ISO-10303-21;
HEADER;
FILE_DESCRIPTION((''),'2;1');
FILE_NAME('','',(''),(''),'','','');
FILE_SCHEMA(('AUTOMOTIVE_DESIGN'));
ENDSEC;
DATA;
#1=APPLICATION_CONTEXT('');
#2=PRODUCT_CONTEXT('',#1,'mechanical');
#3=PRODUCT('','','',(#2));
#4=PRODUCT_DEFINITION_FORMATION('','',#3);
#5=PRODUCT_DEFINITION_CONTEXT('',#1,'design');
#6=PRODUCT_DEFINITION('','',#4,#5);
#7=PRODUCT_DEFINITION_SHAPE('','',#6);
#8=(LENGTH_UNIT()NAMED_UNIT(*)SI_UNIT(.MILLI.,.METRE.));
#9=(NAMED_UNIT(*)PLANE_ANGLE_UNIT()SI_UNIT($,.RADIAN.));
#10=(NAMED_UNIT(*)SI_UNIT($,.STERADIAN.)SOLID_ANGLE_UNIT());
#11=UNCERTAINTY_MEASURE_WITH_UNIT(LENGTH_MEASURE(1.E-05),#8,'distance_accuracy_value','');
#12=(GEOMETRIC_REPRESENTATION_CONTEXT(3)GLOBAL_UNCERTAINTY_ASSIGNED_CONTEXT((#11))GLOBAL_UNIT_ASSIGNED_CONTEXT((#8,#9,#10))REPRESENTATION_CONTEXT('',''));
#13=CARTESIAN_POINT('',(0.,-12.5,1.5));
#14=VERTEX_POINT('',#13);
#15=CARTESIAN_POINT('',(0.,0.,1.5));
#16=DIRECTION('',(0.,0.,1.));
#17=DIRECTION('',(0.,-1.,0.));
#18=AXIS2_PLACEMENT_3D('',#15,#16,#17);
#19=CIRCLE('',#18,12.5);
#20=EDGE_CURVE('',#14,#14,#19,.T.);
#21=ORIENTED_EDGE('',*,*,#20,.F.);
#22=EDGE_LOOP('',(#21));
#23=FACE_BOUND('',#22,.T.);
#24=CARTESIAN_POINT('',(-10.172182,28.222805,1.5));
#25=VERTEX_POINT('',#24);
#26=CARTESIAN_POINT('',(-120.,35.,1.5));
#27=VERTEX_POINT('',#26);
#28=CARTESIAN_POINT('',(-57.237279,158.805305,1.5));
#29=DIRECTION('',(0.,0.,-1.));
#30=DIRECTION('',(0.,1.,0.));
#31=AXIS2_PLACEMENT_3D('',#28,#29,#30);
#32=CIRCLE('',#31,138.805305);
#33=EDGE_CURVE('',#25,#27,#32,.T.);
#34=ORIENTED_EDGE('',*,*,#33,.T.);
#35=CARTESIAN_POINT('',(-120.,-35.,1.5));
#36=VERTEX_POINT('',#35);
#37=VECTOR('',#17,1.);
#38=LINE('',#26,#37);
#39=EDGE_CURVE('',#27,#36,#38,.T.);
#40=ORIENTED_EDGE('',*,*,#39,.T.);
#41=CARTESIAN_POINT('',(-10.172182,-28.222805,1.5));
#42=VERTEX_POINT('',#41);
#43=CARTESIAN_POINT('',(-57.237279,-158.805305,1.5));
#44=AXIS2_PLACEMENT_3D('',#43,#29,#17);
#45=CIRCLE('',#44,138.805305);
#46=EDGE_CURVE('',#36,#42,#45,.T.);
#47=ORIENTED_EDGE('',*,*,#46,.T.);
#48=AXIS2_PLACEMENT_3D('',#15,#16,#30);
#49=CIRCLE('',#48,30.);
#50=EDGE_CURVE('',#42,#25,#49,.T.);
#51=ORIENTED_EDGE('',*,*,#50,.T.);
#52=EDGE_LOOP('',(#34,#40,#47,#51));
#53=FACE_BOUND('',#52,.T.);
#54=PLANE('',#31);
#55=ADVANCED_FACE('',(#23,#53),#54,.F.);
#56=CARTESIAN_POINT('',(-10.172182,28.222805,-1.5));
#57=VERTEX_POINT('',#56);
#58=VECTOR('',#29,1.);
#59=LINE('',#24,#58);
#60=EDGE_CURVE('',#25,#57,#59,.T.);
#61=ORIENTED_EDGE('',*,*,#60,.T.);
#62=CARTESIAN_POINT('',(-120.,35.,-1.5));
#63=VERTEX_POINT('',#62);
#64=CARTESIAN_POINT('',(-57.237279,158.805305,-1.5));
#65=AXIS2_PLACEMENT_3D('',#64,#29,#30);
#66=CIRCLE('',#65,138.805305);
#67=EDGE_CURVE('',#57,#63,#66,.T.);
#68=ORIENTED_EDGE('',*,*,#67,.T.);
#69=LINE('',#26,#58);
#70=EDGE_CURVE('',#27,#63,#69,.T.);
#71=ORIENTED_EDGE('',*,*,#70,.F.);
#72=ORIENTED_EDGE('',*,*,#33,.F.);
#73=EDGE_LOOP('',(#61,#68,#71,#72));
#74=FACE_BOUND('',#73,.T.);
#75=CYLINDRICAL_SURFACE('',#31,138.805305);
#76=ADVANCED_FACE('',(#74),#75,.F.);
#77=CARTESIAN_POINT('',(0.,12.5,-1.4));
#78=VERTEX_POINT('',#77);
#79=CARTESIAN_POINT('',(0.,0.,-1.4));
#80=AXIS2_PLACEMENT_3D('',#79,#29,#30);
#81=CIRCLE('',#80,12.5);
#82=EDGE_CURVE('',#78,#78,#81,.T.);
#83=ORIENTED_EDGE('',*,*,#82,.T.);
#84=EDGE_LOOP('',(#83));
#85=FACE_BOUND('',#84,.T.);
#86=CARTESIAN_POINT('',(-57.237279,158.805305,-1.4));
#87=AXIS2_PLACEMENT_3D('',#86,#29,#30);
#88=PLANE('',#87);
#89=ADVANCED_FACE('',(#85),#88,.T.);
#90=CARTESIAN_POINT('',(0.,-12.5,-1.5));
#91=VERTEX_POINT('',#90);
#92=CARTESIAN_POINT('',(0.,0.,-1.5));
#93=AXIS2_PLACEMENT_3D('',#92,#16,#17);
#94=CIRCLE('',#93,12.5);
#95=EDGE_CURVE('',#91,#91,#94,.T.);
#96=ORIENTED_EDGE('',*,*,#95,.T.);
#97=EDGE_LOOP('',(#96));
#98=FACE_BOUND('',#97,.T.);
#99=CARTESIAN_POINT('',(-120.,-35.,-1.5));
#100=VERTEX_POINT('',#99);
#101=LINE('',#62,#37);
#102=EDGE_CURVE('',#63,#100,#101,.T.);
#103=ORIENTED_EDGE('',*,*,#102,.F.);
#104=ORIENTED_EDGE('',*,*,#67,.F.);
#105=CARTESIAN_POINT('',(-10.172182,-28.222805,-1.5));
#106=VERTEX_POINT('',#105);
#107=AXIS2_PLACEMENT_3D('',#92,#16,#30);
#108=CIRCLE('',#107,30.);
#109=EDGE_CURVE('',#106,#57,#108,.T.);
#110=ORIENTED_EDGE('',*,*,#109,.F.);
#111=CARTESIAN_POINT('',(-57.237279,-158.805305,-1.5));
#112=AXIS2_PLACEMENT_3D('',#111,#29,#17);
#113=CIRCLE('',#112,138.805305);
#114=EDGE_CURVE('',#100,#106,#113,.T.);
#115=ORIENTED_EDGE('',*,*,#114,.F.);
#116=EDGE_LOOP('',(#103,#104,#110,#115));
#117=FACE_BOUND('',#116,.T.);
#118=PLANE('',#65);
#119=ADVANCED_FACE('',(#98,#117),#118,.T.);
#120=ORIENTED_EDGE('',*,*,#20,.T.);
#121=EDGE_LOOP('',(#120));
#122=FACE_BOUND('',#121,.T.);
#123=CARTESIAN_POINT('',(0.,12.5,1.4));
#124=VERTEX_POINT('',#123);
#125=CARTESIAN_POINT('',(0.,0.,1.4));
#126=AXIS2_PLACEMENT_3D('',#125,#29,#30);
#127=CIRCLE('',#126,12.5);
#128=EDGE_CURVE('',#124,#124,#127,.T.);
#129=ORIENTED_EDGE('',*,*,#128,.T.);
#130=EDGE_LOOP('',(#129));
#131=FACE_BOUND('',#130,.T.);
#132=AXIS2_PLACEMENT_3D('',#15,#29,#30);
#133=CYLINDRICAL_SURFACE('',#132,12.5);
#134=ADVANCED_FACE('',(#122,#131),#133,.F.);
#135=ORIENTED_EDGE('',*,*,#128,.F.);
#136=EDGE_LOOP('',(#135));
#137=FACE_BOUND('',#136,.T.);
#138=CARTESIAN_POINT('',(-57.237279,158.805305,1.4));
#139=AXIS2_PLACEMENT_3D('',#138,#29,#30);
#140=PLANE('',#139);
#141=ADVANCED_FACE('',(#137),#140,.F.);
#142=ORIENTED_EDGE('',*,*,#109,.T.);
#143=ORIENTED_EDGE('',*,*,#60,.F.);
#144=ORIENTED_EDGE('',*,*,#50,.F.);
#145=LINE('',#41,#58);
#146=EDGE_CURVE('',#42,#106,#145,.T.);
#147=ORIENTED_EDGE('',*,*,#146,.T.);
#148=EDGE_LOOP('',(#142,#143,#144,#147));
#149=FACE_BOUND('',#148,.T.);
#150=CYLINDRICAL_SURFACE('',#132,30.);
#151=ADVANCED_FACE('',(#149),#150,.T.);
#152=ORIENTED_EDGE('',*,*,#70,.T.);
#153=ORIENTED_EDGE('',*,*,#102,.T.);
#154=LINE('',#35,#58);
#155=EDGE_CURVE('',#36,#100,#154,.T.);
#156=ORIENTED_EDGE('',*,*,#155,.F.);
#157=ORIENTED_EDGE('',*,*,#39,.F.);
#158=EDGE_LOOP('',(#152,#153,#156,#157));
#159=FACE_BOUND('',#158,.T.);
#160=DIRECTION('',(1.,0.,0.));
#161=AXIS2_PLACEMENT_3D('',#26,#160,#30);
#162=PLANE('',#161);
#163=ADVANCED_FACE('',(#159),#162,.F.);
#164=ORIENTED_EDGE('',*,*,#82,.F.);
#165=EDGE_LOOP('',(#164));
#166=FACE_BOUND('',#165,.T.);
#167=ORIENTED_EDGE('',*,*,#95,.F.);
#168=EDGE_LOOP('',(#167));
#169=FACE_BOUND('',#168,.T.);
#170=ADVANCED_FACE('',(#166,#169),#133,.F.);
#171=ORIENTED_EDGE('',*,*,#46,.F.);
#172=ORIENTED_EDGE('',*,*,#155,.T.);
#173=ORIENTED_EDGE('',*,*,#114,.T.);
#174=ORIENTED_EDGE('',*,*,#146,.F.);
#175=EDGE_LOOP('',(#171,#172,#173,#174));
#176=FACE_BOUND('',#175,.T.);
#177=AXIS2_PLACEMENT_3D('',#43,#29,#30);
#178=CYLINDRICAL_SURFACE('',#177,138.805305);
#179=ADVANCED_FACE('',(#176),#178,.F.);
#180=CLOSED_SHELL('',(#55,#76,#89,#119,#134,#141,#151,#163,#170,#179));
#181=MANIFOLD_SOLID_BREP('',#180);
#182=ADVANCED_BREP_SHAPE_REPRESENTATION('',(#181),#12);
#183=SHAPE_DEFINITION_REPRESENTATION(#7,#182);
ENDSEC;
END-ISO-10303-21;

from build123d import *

# Parameters (mm, degrees)
SKETCH1_R                = 12.5
BOSS_EXTRUDE1_DEPTH      = 1.5
BOSS_EXTRUDE2_DEPTH      = 1.4
BOSS_EXTRUDE2_DEPTH_BACK = 1.4
SKETCH1_3_R              = 12.5
BODY_MOVE_COPY1_ANGLE    = 90


with BuildPart() as part:
    # Sketch1 → Boss-Extrude1 (new, symmetric)
    with BuildSketch(Plane(origin=(0, 0, 0), x_dir=(1, 0, 0), z_dir=(0, 1, 0))):
        with BuildLine():
            Line((-120, 35), (-120, -35))
            ThreePointArc((-120, -35), (-65.786340219, -20.263519795), (-10.172182489, -28.222804669))
            ThreePointArc((-10.172182489, -28.222804669), (30, 0), (-10.172182489, 28.222804669))
            ThreePointArc((-10.172182489, 28.222804669), (-65.786340219, 20.263519795), (-120, 35))
        make_face()
        with Locations(Location((0, 0, 0), (0, 0, 270))):
            Circle(SKETCH1_R, mode=Mode.SUBTRACT)
    extrude(amount=BOSS_EXTRUDE1_DEPTH, both=True)

    # Sketch1<3> → Boss-Extrude2 (add, two sides: drawn at the far end of the back side and taken through both)
    with BuildSketch(Plane(origin=(0, 0, 0), x_dir=(1, 0, 0), z_dir=(0, 1, 0)).offset(-BOSS_EXTRUDE2_DEPTH_BACK)):
        with Locations(Location((0, 0, 0), (0, 0, 90))):
            Circle(SKETCH1_3_R)
    extrude(amount=BOSS_EXTRUDE2_DEPTH + BOSS_EXTRUDE2_DEPTH_BACK)


with BuildPart() as part_1:
    # Body-Move/Copy1: moved
    add(part.part.rotate(Axis((0, 0, 0), (1, 0, 0)), BODY_MOVE_COPY1_ANGLE))


solid = part_1.part
